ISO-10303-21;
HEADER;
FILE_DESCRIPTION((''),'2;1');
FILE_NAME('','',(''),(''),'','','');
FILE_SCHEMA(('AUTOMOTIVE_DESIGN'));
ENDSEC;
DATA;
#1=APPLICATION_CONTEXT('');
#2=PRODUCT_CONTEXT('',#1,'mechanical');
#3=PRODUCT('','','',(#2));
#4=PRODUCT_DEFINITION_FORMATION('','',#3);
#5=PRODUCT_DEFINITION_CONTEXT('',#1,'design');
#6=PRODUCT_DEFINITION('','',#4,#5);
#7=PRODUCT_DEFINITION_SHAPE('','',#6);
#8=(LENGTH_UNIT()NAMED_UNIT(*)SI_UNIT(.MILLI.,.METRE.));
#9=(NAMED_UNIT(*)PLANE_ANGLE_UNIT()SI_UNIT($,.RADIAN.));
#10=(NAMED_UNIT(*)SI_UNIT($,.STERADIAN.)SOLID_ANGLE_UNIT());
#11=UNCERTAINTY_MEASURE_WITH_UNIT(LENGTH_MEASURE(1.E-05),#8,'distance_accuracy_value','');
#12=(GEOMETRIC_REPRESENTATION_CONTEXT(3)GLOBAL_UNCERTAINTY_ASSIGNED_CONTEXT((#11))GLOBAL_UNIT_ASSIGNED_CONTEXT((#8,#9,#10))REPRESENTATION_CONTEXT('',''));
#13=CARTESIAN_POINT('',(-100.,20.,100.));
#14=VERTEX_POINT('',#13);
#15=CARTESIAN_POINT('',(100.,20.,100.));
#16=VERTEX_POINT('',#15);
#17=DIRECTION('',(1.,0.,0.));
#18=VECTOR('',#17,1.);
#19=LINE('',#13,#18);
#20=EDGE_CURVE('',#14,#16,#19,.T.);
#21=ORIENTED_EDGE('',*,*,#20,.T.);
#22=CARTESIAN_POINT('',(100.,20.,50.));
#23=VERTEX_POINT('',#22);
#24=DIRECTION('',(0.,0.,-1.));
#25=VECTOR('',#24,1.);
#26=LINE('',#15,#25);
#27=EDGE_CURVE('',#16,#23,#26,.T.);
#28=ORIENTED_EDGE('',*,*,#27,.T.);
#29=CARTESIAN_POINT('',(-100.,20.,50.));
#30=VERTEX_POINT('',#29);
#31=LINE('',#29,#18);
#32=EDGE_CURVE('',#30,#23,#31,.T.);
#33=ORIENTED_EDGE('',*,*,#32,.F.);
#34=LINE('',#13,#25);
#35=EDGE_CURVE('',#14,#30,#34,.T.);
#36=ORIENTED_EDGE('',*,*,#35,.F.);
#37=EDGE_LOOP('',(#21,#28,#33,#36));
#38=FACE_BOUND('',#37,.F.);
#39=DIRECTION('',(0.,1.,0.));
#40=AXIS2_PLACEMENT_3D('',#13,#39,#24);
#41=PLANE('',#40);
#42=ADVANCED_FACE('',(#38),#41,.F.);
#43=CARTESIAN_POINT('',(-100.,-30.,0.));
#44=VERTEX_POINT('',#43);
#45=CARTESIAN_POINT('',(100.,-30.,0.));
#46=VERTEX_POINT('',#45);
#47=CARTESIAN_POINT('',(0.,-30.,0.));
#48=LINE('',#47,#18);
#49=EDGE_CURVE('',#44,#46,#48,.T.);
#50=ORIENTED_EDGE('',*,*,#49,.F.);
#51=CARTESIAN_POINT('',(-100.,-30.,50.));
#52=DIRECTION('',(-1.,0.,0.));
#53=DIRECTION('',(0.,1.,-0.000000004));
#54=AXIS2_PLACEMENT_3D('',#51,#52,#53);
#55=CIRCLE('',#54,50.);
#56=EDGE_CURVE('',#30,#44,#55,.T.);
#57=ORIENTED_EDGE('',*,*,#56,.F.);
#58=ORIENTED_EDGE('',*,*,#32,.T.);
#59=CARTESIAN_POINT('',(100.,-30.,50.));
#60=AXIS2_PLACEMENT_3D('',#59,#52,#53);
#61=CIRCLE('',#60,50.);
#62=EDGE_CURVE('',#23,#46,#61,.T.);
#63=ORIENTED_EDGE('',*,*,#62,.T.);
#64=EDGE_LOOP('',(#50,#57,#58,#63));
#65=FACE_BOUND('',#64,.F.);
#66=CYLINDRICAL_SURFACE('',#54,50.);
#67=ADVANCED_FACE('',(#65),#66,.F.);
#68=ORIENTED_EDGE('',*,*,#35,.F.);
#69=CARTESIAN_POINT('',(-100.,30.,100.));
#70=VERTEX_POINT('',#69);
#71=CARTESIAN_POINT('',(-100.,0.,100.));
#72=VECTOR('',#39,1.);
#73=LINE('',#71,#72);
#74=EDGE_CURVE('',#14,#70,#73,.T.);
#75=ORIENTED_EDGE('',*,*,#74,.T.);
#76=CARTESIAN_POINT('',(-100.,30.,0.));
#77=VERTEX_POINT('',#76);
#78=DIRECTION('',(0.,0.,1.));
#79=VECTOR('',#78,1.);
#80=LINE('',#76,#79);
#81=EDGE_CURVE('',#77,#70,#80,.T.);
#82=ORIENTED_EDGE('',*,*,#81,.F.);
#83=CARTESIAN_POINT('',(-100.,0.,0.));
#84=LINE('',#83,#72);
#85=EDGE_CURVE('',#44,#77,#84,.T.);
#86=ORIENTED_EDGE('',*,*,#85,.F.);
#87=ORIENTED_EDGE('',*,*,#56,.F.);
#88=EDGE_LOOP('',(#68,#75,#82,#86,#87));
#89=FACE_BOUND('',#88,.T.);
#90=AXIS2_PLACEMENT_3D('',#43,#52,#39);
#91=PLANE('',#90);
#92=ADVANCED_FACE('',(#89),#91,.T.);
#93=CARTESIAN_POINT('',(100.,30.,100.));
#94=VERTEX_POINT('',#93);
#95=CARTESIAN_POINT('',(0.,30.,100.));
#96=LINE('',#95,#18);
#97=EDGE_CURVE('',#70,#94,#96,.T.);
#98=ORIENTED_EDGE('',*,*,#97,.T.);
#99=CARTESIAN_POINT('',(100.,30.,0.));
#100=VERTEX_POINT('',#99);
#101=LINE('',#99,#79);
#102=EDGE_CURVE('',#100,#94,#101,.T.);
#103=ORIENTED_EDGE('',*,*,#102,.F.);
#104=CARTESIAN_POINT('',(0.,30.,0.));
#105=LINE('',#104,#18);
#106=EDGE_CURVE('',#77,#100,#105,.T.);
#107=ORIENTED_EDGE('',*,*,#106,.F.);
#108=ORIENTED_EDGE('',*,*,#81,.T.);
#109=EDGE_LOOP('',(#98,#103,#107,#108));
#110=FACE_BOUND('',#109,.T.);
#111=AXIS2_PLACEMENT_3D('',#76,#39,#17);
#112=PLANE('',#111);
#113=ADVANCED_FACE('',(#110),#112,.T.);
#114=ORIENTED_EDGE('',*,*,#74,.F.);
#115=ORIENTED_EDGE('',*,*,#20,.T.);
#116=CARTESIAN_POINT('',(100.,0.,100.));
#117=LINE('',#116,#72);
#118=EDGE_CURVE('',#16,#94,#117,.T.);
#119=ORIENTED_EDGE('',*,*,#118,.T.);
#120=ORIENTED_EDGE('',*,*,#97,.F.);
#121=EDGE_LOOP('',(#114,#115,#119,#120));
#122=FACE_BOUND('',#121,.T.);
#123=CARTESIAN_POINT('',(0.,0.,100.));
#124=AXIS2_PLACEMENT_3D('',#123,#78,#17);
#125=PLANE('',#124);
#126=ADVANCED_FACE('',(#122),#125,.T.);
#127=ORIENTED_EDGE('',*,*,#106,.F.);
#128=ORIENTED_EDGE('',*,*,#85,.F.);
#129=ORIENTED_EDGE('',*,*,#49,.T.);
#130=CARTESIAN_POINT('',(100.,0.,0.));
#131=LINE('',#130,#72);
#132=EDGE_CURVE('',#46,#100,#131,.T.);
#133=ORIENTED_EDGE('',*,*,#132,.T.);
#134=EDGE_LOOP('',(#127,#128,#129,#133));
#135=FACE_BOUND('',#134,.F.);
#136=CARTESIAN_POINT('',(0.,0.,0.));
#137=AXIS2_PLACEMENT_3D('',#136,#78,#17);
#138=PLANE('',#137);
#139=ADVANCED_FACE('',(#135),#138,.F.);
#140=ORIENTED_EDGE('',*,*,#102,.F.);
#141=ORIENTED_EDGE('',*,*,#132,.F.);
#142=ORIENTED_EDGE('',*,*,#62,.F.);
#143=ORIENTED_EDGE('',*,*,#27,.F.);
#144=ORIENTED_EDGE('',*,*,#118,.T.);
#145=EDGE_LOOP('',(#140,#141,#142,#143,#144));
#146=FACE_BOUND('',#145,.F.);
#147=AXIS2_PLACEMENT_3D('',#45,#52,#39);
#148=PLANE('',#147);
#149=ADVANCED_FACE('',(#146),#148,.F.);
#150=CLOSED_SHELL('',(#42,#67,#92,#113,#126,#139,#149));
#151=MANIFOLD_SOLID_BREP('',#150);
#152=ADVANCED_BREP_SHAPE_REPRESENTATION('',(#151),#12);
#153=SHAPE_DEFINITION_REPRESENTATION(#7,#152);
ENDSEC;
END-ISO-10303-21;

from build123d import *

# Parameters (mm, degrees)
F0_W     = 200
F0_H     = 60
F1_DEPTH = 100
F3_DEPTH = 200


with BuildPart() as f1:
    # F0 (on Top) → F1 (new body)
    with BuildSketch(Plane.XY):
        Rectangle(F0_W, F0_H)
    extrude(amount=F1_DEPTH)

    # F2 (on face) → F3 (cut)
    with BuildSketch(Plane(origin=(-100, 0, 0), x_dir=(0, -1, 0), z_dir=(-1, 0, 0))):
        with BuildLine():
            Line((30, 100), (-20, 100))
            Line((-20, 100), (-20, 50))
            ThreePointArc((-20, 50), (-5.355339, 14.644661), (30, 0))
            Line((30, 0), (30, 100))
        make_face()
    extrude(amount=-F3_DEPTH, mode=Mode.SUBTRACT)


solid = f1.part
